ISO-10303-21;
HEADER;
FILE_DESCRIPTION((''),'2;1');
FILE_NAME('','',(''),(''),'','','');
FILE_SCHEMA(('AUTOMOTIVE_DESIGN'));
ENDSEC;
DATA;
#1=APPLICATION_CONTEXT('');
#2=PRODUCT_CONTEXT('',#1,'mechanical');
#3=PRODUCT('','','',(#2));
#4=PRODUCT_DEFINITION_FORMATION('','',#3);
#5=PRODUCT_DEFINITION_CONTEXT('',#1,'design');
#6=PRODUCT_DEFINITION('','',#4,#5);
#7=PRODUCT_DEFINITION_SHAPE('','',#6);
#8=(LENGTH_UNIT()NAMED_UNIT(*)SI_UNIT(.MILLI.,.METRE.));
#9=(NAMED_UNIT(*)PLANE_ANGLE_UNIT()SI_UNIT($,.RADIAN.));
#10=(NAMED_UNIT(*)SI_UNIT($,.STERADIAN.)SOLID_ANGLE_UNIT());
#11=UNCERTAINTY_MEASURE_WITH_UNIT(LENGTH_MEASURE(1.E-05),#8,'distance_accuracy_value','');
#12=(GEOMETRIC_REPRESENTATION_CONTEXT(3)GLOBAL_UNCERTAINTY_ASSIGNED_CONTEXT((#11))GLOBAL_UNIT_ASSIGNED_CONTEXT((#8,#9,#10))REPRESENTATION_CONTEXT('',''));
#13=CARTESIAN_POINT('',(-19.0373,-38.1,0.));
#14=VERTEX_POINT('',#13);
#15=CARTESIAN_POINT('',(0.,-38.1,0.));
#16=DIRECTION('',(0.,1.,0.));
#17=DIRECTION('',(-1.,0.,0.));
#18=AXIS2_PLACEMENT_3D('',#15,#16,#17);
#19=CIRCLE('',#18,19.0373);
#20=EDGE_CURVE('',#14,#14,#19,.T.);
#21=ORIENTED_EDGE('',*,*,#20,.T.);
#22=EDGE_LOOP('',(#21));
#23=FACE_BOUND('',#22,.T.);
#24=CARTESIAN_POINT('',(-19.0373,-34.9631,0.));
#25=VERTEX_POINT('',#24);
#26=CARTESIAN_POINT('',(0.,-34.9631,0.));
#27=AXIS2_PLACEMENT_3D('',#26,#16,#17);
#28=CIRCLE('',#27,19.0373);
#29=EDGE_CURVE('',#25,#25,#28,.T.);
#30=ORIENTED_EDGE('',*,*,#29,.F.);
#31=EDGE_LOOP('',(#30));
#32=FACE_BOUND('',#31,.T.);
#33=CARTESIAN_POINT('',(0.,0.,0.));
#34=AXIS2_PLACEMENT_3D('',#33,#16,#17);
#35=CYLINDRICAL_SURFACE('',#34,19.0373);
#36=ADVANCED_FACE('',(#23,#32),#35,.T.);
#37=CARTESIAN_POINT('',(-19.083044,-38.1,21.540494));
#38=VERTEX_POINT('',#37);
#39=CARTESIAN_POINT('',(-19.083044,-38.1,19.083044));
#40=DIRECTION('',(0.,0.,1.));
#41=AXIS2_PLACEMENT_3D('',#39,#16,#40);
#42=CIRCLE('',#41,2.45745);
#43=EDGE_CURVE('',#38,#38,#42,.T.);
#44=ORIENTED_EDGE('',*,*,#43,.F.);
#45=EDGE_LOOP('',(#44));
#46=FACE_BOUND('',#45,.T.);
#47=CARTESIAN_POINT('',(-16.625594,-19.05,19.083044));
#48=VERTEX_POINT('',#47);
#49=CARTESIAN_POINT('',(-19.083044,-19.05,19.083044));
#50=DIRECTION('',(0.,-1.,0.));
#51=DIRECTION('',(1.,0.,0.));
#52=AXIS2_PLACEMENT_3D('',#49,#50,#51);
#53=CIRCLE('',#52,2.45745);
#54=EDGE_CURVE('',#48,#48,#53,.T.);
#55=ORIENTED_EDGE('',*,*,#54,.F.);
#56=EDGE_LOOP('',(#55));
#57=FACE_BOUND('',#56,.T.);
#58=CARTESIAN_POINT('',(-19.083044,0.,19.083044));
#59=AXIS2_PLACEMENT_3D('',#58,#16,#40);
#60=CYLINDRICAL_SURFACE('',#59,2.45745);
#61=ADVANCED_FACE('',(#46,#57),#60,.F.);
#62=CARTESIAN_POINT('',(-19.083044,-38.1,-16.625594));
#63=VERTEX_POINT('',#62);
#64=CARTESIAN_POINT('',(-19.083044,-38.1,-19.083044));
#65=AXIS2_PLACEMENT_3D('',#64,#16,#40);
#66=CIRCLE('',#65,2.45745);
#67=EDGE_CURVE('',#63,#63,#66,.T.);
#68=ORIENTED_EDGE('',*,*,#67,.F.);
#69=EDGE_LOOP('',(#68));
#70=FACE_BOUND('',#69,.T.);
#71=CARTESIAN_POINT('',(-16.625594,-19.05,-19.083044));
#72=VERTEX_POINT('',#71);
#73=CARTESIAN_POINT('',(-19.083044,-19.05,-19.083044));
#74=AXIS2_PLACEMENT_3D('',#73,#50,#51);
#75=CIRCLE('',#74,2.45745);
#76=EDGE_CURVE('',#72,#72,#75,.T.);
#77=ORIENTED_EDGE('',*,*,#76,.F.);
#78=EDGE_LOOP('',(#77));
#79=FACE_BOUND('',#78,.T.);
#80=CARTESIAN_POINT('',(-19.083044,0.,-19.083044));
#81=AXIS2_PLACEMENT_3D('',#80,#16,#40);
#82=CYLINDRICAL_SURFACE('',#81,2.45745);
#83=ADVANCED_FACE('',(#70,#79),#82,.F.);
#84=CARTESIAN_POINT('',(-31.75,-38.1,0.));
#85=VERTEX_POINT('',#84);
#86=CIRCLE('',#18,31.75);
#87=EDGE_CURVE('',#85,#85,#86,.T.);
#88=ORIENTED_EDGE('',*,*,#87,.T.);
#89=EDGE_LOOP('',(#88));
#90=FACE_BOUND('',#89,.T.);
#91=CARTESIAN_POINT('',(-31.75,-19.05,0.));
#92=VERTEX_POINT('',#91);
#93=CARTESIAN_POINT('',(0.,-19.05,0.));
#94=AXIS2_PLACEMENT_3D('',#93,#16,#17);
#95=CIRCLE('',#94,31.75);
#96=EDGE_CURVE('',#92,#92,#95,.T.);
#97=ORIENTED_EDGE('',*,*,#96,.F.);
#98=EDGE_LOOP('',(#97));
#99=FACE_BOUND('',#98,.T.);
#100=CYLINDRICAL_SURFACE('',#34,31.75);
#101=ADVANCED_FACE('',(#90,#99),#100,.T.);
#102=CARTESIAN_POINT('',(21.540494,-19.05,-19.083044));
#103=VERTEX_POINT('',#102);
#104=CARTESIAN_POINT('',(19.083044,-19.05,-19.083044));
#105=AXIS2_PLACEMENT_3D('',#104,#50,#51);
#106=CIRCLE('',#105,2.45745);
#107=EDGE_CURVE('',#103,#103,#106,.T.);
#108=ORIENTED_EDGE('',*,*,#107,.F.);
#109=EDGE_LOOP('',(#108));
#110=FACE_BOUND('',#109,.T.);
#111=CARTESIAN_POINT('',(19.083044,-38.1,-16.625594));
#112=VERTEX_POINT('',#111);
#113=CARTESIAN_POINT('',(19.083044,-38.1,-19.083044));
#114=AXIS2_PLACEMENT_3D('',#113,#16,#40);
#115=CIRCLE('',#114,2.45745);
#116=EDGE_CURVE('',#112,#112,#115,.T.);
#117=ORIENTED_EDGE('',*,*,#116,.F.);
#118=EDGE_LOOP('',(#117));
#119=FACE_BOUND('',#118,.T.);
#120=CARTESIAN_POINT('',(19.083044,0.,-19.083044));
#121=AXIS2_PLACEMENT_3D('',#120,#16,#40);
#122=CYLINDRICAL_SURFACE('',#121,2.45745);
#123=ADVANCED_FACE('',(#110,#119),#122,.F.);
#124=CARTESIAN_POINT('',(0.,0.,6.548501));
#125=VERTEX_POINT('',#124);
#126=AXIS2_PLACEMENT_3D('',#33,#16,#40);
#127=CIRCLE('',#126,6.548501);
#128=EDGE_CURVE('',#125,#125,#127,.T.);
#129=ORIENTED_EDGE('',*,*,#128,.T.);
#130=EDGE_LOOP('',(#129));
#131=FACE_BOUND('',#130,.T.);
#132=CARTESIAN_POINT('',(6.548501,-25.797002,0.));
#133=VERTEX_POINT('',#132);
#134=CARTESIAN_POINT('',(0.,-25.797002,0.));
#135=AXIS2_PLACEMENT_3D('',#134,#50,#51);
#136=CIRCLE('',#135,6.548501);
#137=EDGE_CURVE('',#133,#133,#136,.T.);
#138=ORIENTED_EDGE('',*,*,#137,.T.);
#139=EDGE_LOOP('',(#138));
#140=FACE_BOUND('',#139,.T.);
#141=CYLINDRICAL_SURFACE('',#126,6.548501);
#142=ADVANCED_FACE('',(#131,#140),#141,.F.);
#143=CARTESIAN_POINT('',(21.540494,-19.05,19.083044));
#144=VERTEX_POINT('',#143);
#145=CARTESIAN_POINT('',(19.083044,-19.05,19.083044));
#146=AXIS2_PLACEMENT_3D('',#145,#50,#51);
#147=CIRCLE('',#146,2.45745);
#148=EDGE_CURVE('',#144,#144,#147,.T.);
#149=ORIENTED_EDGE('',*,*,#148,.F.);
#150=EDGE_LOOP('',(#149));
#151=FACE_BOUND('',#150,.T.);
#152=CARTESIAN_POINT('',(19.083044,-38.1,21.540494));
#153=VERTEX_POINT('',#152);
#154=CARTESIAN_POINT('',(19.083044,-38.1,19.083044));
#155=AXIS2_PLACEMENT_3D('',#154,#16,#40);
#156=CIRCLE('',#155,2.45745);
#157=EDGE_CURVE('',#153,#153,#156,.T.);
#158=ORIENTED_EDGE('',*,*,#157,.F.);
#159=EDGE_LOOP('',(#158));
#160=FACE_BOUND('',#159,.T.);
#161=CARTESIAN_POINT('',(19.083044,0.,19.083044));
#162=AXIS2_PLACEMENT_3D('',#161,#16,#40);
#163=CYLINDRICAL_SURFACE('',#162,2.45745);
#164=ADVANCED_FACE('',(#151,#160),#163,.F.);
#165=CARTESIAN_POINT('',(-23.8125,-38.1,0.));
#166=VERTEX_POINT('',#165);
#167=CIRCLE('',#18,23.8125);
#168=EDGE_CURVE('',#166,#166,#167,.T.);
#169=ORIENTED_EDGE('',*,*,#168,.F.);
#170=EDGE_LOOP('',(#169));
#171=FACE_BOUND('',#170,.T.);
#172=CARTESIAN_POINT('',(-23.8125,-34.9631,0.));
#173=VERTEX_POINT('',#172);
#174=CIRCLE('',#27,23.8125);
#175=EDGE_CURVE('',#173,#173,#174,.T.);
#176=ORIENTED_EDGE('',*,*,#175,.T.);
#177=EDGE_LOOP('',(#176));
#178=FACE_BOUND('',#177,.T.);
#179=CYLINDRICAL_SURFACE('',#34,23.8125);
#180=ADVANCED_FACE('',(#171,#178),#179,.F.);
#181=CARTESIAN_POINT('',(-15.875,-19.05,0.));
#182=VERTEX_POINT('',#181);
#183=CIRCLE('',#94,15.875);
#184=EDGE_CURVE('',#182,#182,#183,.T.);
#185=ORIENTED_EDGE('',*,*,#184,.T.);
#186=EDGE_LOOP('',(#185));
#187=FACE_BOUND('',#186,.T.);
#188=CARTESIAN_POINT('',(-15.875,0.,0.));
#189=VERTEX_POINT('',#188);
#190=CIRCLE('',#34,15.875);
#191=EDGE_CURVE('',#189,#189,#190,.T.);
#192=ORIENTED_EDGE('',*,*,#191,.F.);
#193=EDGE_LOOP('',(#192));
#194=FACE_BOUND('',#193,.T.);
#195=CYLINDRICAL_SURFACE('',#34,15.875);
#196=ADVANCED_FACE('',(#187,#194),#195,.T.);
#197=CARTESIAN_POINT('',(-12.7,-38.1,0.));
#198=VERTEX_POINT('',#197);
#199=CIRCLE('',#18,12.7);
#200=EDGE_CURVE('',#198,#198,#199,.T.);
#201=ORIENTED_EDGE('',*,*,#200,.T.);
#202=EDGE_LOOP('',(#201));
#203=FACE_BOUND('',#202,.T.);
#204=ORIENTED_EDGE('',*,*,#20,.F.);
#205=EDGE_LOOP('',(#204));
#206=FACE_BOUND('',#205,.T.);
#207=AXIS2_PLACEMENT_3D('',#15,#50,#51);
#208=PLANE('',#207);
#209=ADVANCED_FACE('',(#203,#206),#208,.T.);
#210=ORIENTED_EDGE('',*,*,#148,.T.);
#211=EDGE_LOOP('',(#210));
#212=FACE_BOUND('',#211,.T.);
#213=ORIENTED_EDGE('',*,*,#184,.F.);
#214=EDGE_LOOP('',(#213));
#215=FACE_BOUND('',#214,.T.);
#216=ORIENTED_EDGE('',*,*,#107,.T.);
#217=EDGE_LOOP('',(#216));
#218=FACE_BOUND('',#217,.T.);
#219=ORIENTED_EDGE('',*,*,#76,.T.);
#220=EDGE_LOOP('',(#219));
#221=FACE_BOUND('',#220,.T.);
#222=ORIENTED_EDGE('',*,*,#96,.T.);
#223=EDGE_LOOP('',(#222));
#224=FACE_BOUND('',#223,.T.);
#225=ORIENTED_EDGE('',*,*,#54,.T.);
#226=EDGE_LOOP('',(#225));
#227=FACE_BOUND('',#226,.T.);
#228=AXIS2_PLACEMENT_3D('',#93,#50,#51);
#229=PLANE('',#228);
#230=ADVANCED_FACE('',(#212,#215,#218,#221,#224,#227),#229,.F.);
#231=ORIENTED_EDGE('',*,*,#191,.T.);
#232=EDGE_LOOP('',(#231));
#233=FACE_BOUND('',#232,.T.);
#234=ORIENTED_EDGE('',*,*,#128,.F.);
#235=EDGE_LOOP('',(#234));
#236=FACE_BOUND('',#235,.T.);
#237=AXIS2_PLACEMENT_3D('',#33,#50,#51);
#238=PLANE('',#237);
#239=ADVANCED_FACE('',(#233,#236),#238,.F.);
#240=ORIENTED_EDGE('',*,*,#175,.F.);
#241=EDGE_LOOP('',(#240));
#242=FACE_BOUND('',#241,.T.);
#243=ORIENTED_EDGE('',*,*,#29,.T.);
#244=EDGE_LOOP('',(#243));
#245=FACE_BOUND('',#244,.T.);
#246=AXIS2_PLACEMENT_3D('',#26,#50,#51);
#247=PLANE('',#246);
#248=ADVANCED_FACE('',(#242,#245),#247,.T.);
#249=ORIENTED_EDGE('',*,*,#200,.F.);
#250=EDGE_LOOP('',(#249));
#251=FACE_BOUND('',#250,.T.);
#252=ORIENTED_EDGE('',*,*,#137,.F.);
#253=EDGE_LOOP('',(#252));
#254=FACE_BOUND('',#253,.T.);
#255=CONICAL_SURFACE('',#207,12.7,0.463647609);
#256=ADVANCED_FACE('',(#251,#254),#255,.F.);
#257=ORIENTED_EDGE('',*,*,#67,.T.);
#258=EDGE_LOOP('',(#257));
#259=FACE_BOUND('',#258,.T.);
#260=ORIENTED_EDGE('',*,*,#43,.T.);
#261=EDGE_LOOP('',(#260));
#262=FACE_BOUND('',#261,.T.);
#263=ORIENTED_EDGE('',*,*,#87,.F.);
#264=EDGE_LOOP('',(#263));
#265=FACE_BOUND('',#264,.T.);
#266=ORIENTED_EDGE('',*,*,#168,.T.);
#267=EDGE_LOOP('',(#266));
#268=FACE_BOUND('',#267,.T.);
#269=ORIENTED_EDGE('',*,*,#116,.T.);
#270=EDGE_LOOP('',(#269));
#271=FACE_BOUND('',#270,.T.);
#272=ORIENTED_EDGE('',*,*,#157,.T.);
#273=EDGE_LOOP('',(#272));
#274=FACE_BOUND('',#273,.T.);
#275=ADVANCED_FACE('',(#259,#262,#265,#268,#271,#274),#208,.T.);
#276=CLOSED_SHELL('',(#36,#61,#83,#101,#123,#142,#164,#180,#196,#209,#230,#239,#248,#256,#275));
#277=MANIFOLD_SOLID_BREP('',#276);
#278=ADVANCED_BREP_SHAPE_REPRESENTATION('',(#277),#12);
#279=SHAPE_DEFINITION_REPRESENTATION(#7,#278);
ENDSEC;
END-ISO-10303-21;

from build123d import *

# Parameters (mm, degrees)
F_10_0_1935_DIAMETER_HOLE1_D     = 4.9149
F_33_64_0_51563_DIAMETER_HOLE1_D = 13.097002


with BuildPart() as part:
    # Sketch1 → Revolve1 (revolve)
    with BuildSketch(Plane.XY):
        Polygon((-3.175, -19.05), (-12.7, -19.05), (-12.7, -38.1), align=None)
        Polygon((-12.7, -38.1), (-12.7, -19.05), (-3.175, -19.05), (-3.175, 0), (-15.875, 0), (-15.875, -19.05), (-31.75, -19.05), (-31.75, -38.1), (-23.8125, -38.1), (-23.8125, -34.9631), (-19.0373, -34.9631), (-19.0373, -38.1), align=None)
    revolve(axis=Axis((0, 0, 0), (0, -1, 0)))

    # #10 (0.1935) Diameter Hole1 (through all)
    with Locations(Plane(origin=(0, 0, 0), x_dir=(1, 0, 0), z_dir=(0, 1, 0))):
        with Locations((19.083044257, 19.083044257), (-19.083044257, 19.083044257), (-19.083044257, -19.083044257), (19.083044257, -19.083044257)):
            Hole(F_10_0_1935_DIAMETER_HOLE1_D / 2)

    # 33/64 (0.51563) Diameter Hole1 (through all)
    with Locations(Plane(origin=(0, 0, 0), x_dir=(1, 0, 0), z_dir=(0, 1, 0))):
        with Locations((0, 0)):
            Hole(F_33_64_0_51563_DIAMETER_HOLE1_D / 2)


solid = part.part
